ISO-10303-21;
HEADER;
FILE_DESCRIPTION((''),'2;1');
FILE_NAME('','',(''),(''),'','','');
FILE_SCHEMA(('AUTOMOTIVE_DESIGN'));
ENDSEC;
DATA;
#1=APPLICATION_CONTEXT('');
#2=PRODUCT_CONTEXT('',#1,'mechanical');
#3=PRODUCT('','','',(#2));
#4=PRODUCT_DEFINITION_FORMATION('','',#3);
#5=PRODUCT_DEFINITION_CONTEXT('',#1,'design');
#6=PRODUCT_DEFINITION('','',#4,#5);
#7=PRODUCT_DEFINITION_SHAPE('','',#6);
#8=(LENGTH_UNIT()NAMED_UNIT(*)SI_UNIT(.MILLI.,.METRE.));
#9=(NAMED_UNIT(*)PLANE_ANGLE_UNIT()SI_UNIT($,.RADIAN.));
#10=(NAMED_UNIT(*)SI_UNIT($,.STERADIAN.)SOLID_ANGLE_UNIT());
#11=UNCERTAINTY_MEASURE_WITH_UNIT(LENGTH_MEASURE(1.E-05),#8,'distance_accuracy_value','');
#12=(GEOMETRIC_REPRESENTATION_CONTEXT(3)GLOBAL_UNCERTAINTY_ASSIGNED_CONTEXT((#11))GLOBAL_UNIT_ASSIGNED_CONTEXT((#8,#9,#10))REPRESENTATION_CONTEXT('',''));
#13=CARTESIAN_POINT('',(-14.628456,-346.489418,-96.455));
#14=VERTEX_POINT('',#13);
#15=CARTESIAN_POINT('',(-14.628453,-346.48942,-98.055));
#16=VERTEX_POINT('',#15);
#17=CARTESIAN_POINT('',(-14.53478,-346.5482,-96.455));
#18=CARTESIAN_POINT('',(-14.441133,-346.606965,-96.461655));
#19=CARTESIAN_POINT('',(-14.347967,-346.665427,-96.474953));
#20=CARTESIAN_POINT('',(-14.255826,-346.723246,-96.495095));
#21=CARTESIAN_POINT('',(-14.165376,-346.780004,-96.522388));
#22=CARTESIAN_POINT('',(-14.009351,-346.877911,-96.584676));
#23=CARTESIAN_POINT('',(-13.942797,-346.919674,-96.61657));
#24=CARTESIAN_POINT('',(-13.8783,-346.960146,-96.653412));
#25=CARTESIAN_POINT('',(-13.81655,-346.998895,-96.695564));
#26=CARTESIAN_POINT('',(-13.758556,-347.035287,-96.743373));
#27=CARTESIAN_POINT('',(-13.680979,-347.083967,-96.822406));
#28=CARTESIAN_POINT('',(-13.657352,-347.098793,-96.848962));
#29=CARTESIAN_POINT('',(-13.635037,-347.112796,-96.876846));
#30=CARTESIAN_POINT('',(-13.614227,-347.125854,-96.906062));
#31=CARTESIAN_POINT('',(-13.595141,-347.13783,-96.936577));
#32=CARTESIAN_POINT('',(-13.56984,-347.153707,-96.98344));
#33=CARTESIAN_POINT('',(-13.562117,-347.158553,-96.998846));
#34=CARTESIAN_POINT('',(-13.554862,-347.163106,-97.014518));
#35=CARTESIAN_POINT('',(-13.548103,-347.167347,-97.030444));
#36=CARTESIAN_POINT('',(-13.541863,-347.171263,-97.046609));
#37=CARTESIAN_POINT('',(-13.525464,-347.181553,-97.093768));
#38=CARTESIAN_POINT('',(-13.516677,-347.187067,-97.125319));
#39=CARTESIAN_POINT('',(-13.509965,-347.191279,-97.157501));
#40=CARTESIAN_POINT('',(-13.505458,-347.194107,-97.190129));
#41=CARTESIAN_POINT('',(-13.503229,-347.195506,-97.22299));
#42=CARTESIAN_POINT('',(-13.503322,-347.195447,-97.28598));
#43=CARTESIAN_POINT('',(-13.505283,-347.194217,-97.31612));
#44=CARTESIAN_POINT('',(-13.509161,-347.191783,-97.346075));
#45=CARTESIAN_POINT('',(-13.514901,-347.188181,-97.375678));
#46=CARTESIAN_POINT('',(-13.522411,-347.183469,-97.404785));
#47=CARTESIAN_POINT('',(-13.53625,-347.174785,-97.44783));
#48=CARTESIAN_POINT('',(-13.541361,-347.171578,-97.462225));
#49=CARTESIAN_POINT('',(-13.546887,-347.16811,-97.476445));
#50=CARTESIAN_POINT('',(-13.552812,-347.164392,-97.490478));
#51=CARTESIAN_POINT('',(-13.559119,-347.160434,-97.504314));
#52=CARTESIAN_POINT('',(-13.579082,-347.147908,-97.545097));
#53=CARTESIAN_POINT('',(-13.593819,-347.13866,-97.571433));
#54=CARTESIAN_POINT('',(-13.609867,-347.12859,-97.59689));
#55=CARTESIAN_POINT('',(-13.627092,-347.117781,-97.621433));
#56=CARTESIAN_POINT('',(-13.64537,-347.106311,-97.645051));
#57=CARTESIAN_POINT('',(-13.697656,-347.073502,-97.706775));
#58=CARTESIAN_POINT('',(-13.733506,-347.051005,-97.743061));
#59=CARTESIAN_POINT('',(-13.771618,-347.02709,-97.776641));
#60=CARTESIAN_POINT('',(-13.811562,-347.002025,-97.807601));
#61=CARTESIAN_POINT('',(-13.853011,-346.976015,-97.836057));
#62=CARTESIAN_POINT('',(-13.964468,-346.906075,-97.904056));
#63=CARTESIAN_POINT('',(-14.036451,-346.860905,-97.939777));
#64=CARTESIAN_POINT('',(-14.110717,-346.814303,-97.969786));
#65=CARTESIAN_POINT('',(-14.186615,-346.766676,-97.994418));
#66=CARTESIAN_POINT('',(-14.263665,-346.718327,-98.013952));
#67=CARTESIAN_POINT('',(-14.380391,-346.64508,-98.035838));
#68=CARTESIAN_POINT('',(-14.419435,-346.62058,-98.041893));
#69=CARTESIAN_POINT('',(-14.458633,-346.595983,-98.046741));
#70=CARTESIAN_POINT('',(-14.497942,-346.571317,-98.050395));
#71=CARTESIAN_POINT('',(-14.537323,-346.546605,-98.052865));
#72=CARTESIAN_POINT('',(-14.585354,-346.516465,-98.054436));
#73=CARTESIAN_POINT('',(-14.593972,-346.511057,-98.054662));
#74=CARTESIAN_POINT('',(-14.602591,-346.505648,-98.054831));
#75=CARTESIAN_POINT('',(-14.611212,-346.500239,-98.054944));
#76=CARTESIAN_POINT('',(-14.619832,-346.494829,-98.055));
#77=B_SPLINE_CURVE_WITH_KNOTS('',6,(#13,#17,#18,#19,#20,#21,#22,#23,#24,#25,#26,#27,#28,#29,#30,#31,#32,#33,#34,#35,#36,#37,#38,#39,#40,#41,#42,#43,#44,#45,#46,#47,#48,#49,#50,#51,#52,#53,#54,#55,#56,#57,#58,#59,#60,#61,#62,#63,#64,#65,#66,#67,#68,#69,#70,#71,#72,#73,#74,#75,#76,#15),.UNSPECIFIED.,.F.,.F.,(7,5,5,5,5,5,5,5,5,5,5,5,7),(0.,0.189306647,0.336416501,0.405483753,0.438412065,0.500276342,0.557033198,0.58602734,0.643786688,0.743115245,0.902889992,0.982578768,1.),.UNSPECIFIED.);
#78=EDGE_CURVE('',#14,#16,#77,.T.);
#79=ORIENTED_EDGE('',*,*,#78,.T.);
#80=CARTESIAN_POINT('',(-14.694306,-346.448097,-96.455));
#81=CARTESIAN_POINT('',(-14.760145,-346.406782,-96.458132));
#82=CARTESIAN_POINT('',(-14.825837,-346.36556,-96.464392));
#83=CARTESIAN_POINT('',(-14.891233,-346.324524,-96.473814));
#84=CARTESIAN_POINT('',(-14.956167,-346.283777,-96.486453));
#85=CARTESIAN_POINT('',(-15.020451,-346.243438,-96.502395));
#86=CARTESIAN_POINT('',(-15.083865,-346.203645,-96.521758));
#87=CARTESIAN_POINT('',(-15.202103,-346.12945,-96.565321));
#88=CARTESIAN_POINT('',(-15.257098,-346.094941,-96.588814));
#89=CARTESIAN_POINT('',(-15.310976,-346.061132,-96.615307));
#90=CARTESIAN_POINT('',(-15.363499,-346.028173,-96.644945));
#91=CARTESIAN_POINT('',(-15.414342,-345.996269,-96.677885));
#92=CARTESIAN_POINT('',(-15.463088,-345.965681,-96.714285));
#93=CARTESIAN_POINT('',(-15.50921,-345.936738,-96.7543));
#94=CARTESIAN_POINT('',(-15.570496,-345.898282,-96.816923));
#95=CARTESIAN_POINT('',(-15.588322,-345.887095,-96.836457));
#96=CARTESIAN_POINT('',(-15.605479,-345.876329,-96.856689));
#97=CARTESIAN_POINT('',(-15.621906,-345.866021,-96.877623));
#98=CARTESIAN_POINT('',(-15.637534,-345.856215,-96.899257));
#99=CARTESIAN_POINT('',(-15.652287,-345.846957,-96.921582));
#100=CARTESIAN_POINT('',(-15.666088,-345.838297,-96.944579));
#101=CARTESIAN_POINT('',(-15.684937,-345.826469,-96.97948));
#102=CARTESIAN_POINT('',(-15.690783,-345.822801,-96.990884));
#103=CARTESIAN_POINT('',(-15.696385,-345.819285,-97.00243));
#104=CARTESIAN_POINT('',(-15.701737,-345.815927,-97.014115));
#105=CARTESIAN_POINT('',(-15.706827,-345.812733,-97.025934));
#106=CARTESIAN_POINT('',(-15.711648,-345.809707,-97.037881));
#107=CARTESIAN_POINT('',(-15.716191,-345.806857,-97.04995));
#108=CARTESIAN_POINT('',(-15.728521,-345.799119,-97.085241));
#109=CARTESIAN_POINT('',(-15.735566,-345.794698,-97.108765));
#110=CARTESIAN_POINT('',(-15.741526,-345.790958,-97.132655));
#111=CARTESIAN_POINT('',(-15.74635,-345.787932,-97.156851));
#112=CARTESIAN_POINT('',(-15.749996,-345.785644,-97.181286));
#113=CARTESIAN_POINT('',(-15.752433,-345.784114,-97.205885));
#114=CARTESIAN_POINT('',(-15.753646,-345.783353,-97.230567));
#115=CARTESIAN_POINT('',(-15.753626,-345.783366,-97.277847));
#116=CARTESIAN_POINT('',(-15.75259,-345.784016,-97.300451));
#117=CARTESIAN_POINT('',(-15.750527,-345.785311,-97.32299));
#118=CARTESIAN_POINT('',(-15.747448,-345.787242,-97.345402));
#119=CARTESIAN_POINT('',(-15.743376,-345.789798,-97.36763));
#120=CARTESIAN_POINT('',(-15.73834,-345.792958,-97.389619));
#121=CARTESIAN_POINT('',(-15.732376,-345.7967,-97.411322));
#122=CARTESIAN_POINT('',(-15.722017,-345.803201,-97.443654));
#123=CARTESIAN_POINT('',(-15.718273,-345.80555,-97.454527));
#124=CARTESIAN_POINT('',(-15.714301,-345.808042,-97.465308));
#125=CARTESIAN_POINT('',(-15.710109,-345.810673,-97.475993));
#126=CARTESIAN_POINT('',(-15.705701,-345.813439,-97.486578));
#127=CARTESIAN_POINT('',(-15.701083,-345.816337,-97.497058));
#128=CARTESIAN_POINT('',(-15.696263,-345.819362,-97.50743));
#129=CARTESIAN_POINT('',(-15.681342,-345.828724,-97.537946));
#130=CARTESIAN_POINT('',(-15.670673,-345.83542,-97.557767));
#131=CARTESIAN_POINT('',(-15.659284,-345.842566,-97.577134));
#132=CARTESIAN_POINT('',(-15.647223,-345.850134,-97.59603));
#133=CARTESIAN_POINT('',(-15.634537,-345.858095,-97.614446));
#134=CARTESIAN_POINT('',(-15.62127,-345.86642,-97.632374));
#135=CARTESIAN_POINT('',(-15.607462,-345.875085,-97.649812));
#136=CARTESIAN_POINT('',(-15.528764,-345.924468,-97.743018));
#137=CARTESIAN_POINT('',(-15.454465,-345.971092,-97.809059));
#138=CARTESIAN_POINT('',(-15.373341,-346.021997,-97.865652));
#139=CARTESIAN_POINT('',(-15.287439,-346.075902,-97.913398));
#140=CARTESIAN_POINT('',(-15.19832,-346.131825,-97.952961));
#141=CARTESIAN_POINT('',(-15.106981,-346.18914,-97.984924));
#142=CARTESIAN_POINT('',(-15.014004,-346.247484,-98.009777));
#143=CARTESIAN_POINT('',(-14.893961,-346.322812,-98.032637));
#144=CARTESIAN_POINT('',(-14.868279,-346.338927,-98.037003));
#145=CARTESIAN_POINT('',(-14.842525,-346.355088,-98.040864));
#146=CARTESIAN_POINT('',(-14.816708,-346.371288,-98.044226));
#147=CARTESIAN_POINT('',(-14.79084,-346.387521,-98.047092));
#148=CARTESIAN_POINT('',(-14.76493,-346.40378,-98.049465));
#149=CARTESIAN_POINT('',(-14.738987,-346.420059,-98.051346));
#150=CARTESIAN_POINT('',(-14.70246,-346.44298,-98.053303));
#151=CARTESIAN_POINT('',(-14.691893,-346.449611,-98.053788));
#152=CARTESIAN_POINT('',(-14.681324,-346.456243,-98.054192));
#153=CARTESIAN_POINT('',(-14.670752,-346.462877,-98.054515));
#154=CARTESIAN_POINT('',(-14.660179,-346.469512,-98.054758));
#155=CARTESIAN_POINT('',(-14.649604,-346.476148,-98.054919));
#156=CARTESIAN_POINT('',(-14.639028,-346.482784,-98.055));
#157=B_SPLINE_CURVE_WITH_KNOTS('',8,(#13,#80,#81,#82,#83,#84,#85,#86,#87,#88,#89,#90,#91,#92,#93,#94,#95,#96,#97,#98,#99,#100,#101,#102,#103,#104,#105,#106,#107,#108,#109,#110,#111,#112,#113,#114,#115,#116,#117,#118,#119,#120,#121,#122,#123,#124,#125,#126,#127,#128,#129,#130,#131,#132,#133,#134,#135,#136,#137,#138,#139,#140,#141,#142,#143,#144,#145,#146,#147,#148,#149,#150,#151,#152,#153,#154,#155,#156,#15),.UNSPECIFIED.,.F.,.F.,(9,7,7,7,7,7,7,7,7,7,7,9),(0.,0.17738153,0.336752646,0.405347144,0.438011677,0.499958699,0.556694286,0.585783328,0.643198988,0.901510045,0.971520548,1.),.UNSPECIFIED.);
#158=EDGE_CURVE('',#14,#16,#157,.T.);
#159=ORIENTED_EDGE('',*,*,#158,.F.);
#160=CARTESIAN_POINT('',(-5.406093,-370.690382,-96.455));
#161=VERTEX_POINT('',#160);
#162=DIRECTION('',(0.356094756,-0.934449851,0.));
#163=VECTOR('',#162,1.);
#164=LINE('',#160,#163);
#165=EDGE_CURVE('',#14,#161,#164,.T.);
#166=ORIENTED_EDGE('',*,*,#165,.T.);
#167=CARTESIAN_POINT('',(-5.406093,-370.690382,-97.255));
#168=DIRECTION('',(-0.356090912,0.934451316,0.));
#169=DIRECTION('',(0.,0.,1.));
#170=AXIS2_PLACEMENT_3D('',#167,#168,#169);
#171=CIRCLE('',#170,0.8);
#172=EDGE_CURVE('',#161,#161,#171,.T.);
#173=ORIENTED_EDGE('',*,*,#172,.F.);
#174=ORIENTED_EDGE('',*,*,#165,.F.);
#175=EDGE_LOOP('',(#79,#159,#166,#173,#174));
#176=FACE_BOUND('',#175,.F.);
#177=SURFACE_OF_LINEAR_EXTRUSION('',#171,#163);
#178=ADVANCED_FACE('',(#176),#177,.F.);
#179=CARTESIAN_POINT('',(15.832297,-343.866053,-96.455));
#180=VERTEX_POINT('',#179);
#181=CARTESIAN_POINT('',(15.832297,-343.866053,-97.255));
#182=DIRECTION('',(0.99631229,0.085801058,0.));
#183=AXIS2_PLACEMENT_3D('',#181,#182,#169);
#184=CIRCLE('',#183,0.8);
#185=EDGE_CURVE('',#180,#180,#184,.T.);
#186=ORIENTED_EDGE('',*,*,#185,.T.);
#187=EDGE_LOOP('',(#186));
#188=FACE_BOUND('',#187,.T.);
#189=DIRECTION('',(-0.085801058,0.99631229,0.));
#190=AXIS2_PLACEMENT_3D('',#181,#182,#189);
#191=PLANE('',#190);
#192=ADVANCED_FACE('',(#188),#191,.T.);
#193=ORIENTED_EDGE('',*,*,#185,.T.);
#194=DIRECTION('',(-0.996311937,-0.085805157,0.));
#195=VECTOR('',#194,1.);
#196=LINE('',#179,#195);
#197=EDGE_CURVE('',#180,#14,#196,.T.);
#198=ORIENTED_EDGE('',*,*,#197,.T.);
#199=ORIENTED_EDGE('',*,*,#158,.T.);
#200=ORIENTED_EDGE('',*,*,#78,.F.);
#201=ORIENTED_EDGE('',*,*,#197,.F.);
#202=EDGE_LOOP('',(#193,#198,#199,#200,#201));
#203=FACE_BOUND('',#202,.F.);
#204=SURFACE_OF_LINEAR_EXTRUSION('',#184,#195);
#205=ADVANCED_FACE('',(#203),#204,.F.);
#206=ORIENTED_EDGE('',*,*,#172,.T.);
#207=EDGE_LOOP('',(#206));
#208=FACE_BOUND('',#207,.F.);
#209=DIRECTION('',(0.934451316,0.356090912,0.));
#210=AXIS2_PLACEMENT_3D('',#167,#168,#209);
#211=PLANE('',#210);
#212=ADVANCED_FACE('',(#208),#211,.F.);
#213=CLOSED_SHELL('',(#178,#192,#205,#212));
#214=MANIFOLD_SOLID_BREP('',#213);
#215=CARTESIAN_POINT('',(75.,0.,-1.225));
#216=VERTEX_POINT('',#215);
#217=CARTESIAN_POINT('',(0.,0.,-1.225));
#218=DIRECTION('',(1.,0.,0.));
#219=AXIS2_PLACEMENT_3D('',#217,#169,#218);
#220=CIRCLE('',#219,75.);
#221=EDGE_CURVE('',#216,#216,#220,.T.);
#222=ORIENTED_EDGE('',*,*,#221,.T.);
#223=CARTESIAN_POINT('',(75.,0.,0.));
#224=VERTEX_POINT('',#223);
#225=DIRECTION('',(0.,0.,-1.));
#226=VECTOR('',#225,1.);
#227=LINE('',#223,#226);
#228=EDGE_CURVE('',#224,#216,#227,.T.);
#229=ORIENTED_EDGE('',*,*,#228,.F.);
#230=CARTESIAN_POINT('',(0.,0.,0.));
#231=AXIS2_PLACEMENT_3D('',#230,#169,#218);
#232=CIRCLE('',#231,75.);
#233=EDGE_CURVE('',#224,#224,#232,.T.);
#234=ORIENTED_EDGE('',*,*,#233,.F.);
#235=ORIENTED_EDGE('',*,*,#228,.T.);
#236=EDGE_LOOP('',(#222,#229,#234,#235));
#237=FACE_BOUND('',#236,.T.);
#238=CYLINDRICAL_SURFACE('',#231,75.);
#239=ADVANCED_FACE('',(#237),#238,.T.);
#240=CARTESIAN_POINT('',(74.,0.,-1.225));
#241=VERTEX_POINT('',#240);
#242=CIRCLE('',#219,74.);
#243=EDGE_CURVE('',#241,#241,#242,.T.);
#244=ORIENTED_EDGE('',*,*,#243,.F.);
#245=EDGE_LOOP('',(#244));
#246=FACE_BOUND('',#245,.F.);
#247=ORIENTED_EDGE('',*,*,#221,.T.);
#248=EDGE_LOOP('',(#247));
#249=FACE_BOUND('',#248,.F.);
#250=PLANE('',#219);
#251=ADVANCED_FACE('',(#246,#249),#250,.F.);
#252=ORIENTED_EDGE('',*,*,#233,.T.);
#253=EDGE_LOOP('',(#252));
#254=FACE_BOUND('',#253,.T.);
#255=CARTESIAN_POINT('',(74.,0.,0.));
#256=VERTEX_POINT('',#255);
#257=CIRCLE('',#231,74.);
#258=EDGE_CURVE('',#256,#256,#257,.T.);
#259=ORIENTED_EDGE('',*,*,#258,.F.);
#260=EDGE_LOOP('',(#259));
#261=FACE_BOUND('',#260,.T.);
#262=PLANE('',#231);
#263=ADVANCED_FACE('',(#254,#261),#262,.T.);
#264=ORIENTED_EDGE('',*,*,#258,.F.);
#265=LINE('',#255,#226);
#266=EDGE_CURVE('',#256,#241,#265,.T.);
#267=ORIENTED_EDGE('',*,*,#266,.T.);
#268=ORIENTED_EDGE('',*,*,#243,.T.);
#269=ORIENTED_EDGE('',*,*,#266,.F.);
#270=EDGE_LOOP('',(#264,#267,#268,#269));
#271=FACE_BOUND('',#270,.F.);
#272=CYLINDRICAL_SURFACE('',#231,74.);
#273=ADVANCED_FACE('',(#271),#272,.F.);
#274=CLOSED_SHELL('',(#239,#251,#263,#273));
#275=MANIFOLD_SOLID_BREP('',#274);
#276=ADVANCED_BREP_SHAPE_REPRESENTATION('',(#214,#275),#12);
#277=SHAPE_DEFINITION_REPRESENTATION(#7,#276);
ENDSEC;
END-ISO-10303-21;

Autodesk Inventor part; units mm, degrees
ref_plane "YZ Plane" through (0, 0, 0) normal (1, 0, 0) x (0, 1, 0)
ref_plane "XZ Plane" through (0, 0, 0) normal (0, 1, 0) x (-1, 0, 0)
sketch "草图1" plane through (0, 0, 0) normal (0, 0, 1) x (1, 0, 0)
  circle A0 centre (0, 0) radius 75 projected
  circle A1 centre (0, 0) radius 74 projected
  point P0 (0, 0)
ref_plane "工作平面1" through (-136.6024, -136.6024, -1.225) normal (0, 0, 1) x (0.866, -0.5, 0)
extrude "拉伸1" add sketch "草图1" against normal up to surface (1.225 mm away)
ref_plane "工作平面2" through (0, -354, -97.405) normal (0, 0, 1) x (0.7578, -0.6525, 0)
sketch "草图2" plane through (0, -354, -97.405) normal (0, 0, 1) x (0.7578, -0.6525, 0)
  line L0 (2.923, 16.6348) -> (0.3965, 14.0501)
  line L1 (4.0671, 15.5163) -> (0.8949, 12.2711)
  line L2 (-0.8949, 12.7289) -> (-4.0671, 9.4837)
  line L3 (-0.3965, 10.9499) -> (-2.923, 8.3652)
  line L4 (-4.0172, -9.4175) -> (-0.8381, -11.1371)
  line L5 (-4.7785, -10.8248) -> (-0.7869, -12.9839)
  line L6 (0.7869, -12.0161) -> (4.7785, -14.1752)
  line L7 (0.8381, -13.8629) -> (4.0172, -15.5825)
  line L8 (5.3856, 18.0096) -> (-15.9852, -3.8534)
  line L9 (6.7939, -16.1749) -> (-15.9852, -3.8534)
  line L10 (4.0172, -13.7634) -> (3.256, -15.1708)
  line L11 (3.6366, 15.0759) -> (2.4924, 16.1943)
  point P0 (-230.9741, 268.2666)
  point P1 (3.6366, -14.4671)
  point P2 (3.0645, 15.6351)
ref_plane "工作平面3" through (12.8896, -341.222, -99.2549) normal (0.9963, 0.0858, 0) x (0, 0, 1)
sketch "草图4" plane through (12.8896, -341.222, -99.2549) normal (0.9963, 0.0858, 0) x (0, 0, 1)
  circle A0 centre (1.9999, 2.8868) radius 0.8 projected
  circle A1 centre (1.9999, 2.8868) radius 0.8
  point P0 (99.2549, -341.069)
sweep "扫掠1" add profiles "草图4" path "草图2" path curves L8 L9
